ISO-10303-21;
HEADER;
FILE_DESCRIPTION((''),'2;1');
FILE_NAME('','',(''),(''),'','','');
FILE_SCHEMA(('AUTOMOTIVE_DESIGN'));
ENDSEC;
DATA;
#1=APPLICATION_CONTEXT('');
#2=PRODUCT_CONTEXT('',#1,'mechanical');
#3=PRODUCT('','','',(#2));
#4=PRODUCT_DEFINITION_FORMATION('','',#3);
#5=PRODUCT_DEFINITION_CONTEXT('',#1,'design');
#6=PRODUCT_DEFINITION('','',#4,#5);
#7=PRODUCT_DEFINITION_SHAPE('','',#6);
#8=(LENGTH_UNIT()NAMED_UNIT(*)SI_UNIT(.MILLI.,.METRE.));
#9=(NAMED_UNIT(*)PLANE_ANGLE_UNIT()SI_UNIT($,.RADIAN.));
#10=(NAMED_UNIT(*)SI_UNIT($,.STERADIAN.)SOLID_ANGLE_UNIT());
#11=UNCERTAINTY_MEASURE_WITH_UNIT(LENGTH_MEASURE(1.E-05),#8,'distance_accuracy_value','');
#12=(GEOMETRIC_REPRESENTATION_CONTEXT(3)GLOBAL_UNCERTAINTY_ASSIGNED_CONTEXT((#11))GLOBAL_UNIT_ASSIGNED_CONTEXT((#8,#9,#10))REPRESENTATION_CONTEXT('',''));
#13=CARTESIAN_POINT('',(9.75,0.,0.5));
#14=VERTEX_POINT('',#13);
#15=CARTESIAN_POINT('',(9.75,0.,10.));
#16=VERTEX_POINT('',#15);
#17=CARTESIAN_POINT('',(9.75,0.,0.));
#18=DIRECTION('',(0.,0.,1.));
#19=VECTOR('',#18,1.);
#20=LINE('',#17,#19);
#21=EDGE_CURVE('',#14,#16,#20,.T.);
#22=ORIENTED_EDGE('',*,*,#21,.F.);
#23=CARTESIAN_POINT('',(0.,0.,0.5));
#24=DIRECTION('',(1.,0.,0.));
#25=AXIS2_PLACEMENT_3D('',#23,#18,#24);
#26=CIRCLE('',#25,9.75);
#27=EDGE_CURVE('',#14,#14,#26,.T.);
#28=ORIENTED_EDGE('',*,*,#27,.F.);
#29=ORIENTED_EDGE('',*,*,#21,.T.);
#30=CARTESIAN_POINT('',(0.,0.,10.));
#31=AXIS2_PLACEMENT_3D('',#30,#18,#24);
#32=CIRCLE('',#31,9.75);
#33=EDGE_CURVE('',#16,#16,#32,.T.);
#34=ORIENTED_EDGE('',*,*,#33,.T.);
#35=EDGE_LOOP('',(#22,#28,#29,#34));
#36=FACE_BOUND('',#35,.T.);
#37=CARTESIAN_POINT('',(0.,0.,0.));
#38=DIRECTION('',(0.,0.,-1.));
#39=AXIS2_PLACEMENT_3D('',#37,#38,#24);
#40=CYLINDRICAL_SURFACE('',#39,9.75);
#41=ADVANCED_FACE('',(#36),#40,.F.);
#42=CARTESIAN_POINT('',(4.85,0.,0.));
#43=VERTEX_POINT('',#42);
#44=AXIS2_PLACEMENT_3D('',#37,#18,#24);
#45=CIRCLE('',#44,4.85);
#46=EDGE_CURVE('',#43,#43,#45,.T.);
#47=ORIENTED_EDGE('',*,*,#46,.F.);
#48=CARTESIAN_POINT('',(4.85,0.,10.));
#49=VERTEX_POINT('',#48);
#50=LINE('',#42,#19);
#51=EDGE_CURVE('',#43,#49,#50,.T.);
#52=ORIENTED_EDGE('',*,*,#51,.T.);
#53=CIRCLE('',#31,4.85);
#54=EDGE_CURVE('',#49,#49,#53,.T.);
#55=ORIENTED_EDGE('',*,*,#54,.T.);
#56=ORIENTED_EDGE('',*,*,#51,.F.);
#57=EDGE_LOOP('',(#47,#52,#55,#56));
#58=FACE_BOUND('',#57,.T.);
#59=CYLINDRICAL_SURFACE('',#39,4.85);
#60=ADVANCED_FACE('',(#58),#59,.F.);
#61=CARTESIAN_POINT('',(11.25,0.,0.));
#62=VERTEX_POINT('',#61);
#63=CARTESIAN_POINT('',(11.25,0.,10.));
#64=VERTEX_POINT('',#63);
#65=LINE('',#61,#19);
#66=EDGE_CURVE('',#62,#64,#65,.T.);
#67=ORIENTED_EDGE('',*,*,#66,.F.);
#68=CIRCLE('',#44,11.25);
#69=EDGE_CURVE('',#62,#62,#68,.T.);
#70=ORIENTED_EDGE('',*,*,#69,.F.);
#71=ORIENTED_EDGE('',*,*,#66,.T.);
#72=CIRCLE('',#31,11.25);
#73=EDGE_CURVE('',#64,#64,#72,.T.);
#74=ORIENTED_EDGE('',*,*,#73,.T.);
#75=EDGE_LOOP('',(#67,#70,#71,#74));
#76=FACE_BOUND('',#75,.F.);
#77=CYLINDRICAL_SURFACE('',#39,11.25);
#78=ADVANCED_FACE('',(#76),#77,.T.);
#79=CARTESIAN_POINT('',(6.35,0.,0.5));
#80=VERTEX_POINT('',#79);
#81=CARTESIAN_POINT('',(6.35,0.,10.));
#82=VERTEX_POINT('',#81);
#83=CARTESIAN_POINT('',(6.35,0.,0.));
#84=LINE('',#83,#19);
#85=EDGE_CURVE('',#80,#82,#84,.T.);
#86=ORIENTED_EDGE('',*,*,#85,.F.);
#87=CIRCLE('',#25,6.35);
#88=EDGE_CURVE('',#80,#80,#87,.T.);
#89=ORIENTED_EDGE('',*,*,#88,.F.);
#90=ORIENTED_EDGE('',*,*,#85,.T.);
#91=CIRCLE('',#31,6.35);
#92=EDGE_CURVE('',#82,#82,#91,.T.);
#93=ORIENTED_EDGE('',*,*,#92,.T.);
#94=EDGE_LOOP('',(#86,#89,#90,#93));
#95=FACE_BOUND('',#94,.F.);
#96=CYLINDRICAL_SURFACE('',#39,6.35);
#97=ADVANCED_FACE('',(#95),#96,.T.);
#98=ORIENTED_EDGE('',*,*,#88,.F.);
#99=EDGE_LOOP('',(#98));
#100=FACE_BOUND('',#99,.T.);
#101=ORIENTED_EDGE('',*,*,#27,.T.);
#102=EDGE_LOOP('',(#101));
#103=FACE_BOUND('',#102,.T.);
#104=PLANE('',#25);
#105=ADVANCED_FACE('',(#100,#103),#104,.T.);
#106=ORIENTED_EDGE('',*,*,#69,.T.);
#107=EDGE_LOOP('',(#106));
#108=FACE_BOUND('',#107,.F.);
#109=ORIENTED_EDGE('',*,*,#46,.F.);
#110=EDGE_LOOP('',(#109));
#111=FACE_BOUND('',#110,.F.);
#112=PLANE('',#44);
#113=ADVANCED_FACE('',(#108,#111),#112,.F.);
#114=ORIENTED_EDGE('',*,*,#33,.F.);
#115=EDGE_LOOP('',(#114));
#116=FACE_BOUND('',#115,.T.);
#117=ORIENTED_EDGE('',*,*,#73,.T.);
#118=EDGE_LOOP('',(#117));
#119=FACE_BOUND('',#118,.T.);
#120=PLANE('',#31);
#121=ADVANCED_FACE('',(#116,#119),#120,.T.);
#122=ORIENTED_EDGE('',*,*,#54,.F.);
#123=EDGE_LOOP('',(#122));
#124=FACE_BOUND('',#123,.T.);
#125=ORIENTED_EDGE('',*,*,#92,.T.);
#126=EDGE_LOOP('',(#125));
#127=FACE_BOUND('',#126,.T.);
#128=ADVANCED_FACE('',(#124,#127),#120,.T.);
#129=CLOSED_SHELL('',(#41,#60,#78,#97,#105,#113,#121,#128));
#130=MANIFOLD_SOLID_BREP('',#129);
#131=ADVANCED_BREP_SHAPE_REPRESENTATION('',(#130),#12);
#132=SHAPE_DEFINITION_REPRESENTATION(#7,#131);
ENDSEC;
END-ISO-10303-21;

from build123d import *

# Parameters (mm, degrees)
F0_R     = 11.25
F0_R_2   = 9.75
F1_DEPTH = 10
F0_R_3   = 6.35
F0_R_4   = 4.8500001431
F2_DEPTH = 0.5


with BuildPart() as f1:
    # F0 (on Top) → F1 (new body)
    with BuildSketch(Plane.XY):
        Circle(F0_R)
        Circle(F0_R_2, mode=Mode.SUBTRACT)
    extrude(amount=F1_DEPTH)



with BuildPart() as f1b:
    # F0 (on Top) → F1, piece 2 (new body)
    with BuildSketch(Plane.XY):
        Circle(F0_R_3)
        Circle(F0_R_4, mode=Mode.SUBTRACT)
    extrude(amount=F1_DEPTH)


with BuildPart() as f1_1:
    add(f1.part)

    add(f1b.part)  # F2 merges F1b
    # F0 (on Top) → F2 (join)
    with BuildSketch(Plane.XY):
        Circle(F0_R_2)
        Circle(F0_R_3, mode=Mode.SUBTRACT)
    extrude(amount=F2_DEPTH)


solid = f1_1.part
